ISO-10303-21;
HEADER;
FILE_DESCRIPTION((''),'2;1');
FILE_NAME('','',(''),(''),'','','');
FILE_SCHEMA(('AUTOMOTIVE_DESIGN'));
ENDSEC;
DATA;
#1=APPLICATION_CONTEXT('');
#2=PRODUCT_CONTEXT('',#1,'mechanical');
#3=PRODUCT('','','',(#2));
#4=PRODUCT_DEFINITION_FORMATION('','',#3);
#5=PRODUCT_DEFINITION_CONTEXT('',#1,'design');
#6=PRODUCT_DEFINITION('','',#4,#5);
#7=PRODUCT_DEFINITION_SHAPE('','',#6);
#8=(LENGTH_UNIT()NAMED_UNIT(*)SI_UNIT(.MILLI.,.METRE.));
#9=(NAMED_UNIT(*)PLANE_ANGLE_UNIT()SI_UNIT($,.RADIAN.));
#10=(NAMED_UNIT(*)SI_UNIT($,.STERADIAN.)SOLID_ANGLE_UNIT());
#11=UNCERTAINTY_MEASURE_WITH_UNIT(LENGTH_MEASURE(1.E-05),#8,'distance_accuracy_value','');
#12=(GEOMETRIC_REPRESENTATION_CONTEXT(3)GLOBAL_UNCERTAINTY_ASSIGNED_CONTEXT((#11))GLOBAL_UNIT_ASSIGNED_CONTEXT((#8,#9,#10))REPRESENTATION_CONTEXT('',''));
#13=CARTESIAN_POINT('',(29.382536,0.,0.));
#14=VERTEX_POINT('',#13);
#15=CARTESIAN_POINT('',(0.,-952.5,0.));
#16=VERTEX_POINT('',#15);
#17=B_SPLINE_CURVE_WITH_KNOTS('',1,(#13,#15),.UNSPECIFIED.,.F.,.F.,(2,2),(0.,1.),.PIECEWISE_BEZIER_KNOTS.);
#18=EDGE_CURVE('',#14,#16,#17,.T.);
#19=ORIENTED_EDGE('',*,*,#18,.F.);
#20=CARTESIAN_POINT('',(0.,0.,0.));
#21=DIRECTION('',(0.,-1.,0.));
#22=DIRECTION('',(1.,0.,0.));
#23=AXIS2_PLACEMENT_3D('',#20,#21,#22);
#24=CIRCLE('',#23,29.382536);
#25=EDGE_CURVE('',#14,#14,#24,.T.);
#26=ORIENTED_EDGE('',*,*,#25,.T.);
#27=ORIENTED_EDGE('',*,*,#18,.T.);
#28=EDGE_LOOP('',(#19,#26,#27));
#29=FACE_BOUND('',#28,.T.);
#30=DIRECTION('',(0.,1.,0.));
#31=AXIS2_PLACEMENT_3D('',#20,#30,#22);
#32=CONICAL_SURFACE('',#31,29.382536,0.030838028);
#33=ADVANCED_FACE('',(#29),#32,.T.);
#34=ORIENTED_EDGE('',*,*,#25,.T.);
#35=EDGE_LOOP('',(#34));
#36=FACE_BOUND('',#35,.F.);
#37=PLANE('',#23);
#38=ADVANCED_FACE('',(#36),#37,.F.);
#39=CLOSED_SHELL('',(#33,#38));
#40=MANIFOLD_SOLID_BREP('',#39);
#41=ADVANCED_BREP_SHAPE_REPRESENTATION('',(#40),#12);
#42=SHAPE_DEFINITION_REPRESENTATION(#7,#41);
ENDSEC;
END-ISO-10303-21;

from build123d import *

# Parameters (mm, degrees)
F0_R = 29.382536


with BuildPart() as f3:
    # F0 (on Front) → F3 section 0
    with BuildSketch(Plane.XZ, mode=Mode.PRIVATE) as f3_s0:
        Circle(F0_R)
    loft([f3_s0.sketch, Vertex(0, -952.5, 0)])


solid = f3.part
